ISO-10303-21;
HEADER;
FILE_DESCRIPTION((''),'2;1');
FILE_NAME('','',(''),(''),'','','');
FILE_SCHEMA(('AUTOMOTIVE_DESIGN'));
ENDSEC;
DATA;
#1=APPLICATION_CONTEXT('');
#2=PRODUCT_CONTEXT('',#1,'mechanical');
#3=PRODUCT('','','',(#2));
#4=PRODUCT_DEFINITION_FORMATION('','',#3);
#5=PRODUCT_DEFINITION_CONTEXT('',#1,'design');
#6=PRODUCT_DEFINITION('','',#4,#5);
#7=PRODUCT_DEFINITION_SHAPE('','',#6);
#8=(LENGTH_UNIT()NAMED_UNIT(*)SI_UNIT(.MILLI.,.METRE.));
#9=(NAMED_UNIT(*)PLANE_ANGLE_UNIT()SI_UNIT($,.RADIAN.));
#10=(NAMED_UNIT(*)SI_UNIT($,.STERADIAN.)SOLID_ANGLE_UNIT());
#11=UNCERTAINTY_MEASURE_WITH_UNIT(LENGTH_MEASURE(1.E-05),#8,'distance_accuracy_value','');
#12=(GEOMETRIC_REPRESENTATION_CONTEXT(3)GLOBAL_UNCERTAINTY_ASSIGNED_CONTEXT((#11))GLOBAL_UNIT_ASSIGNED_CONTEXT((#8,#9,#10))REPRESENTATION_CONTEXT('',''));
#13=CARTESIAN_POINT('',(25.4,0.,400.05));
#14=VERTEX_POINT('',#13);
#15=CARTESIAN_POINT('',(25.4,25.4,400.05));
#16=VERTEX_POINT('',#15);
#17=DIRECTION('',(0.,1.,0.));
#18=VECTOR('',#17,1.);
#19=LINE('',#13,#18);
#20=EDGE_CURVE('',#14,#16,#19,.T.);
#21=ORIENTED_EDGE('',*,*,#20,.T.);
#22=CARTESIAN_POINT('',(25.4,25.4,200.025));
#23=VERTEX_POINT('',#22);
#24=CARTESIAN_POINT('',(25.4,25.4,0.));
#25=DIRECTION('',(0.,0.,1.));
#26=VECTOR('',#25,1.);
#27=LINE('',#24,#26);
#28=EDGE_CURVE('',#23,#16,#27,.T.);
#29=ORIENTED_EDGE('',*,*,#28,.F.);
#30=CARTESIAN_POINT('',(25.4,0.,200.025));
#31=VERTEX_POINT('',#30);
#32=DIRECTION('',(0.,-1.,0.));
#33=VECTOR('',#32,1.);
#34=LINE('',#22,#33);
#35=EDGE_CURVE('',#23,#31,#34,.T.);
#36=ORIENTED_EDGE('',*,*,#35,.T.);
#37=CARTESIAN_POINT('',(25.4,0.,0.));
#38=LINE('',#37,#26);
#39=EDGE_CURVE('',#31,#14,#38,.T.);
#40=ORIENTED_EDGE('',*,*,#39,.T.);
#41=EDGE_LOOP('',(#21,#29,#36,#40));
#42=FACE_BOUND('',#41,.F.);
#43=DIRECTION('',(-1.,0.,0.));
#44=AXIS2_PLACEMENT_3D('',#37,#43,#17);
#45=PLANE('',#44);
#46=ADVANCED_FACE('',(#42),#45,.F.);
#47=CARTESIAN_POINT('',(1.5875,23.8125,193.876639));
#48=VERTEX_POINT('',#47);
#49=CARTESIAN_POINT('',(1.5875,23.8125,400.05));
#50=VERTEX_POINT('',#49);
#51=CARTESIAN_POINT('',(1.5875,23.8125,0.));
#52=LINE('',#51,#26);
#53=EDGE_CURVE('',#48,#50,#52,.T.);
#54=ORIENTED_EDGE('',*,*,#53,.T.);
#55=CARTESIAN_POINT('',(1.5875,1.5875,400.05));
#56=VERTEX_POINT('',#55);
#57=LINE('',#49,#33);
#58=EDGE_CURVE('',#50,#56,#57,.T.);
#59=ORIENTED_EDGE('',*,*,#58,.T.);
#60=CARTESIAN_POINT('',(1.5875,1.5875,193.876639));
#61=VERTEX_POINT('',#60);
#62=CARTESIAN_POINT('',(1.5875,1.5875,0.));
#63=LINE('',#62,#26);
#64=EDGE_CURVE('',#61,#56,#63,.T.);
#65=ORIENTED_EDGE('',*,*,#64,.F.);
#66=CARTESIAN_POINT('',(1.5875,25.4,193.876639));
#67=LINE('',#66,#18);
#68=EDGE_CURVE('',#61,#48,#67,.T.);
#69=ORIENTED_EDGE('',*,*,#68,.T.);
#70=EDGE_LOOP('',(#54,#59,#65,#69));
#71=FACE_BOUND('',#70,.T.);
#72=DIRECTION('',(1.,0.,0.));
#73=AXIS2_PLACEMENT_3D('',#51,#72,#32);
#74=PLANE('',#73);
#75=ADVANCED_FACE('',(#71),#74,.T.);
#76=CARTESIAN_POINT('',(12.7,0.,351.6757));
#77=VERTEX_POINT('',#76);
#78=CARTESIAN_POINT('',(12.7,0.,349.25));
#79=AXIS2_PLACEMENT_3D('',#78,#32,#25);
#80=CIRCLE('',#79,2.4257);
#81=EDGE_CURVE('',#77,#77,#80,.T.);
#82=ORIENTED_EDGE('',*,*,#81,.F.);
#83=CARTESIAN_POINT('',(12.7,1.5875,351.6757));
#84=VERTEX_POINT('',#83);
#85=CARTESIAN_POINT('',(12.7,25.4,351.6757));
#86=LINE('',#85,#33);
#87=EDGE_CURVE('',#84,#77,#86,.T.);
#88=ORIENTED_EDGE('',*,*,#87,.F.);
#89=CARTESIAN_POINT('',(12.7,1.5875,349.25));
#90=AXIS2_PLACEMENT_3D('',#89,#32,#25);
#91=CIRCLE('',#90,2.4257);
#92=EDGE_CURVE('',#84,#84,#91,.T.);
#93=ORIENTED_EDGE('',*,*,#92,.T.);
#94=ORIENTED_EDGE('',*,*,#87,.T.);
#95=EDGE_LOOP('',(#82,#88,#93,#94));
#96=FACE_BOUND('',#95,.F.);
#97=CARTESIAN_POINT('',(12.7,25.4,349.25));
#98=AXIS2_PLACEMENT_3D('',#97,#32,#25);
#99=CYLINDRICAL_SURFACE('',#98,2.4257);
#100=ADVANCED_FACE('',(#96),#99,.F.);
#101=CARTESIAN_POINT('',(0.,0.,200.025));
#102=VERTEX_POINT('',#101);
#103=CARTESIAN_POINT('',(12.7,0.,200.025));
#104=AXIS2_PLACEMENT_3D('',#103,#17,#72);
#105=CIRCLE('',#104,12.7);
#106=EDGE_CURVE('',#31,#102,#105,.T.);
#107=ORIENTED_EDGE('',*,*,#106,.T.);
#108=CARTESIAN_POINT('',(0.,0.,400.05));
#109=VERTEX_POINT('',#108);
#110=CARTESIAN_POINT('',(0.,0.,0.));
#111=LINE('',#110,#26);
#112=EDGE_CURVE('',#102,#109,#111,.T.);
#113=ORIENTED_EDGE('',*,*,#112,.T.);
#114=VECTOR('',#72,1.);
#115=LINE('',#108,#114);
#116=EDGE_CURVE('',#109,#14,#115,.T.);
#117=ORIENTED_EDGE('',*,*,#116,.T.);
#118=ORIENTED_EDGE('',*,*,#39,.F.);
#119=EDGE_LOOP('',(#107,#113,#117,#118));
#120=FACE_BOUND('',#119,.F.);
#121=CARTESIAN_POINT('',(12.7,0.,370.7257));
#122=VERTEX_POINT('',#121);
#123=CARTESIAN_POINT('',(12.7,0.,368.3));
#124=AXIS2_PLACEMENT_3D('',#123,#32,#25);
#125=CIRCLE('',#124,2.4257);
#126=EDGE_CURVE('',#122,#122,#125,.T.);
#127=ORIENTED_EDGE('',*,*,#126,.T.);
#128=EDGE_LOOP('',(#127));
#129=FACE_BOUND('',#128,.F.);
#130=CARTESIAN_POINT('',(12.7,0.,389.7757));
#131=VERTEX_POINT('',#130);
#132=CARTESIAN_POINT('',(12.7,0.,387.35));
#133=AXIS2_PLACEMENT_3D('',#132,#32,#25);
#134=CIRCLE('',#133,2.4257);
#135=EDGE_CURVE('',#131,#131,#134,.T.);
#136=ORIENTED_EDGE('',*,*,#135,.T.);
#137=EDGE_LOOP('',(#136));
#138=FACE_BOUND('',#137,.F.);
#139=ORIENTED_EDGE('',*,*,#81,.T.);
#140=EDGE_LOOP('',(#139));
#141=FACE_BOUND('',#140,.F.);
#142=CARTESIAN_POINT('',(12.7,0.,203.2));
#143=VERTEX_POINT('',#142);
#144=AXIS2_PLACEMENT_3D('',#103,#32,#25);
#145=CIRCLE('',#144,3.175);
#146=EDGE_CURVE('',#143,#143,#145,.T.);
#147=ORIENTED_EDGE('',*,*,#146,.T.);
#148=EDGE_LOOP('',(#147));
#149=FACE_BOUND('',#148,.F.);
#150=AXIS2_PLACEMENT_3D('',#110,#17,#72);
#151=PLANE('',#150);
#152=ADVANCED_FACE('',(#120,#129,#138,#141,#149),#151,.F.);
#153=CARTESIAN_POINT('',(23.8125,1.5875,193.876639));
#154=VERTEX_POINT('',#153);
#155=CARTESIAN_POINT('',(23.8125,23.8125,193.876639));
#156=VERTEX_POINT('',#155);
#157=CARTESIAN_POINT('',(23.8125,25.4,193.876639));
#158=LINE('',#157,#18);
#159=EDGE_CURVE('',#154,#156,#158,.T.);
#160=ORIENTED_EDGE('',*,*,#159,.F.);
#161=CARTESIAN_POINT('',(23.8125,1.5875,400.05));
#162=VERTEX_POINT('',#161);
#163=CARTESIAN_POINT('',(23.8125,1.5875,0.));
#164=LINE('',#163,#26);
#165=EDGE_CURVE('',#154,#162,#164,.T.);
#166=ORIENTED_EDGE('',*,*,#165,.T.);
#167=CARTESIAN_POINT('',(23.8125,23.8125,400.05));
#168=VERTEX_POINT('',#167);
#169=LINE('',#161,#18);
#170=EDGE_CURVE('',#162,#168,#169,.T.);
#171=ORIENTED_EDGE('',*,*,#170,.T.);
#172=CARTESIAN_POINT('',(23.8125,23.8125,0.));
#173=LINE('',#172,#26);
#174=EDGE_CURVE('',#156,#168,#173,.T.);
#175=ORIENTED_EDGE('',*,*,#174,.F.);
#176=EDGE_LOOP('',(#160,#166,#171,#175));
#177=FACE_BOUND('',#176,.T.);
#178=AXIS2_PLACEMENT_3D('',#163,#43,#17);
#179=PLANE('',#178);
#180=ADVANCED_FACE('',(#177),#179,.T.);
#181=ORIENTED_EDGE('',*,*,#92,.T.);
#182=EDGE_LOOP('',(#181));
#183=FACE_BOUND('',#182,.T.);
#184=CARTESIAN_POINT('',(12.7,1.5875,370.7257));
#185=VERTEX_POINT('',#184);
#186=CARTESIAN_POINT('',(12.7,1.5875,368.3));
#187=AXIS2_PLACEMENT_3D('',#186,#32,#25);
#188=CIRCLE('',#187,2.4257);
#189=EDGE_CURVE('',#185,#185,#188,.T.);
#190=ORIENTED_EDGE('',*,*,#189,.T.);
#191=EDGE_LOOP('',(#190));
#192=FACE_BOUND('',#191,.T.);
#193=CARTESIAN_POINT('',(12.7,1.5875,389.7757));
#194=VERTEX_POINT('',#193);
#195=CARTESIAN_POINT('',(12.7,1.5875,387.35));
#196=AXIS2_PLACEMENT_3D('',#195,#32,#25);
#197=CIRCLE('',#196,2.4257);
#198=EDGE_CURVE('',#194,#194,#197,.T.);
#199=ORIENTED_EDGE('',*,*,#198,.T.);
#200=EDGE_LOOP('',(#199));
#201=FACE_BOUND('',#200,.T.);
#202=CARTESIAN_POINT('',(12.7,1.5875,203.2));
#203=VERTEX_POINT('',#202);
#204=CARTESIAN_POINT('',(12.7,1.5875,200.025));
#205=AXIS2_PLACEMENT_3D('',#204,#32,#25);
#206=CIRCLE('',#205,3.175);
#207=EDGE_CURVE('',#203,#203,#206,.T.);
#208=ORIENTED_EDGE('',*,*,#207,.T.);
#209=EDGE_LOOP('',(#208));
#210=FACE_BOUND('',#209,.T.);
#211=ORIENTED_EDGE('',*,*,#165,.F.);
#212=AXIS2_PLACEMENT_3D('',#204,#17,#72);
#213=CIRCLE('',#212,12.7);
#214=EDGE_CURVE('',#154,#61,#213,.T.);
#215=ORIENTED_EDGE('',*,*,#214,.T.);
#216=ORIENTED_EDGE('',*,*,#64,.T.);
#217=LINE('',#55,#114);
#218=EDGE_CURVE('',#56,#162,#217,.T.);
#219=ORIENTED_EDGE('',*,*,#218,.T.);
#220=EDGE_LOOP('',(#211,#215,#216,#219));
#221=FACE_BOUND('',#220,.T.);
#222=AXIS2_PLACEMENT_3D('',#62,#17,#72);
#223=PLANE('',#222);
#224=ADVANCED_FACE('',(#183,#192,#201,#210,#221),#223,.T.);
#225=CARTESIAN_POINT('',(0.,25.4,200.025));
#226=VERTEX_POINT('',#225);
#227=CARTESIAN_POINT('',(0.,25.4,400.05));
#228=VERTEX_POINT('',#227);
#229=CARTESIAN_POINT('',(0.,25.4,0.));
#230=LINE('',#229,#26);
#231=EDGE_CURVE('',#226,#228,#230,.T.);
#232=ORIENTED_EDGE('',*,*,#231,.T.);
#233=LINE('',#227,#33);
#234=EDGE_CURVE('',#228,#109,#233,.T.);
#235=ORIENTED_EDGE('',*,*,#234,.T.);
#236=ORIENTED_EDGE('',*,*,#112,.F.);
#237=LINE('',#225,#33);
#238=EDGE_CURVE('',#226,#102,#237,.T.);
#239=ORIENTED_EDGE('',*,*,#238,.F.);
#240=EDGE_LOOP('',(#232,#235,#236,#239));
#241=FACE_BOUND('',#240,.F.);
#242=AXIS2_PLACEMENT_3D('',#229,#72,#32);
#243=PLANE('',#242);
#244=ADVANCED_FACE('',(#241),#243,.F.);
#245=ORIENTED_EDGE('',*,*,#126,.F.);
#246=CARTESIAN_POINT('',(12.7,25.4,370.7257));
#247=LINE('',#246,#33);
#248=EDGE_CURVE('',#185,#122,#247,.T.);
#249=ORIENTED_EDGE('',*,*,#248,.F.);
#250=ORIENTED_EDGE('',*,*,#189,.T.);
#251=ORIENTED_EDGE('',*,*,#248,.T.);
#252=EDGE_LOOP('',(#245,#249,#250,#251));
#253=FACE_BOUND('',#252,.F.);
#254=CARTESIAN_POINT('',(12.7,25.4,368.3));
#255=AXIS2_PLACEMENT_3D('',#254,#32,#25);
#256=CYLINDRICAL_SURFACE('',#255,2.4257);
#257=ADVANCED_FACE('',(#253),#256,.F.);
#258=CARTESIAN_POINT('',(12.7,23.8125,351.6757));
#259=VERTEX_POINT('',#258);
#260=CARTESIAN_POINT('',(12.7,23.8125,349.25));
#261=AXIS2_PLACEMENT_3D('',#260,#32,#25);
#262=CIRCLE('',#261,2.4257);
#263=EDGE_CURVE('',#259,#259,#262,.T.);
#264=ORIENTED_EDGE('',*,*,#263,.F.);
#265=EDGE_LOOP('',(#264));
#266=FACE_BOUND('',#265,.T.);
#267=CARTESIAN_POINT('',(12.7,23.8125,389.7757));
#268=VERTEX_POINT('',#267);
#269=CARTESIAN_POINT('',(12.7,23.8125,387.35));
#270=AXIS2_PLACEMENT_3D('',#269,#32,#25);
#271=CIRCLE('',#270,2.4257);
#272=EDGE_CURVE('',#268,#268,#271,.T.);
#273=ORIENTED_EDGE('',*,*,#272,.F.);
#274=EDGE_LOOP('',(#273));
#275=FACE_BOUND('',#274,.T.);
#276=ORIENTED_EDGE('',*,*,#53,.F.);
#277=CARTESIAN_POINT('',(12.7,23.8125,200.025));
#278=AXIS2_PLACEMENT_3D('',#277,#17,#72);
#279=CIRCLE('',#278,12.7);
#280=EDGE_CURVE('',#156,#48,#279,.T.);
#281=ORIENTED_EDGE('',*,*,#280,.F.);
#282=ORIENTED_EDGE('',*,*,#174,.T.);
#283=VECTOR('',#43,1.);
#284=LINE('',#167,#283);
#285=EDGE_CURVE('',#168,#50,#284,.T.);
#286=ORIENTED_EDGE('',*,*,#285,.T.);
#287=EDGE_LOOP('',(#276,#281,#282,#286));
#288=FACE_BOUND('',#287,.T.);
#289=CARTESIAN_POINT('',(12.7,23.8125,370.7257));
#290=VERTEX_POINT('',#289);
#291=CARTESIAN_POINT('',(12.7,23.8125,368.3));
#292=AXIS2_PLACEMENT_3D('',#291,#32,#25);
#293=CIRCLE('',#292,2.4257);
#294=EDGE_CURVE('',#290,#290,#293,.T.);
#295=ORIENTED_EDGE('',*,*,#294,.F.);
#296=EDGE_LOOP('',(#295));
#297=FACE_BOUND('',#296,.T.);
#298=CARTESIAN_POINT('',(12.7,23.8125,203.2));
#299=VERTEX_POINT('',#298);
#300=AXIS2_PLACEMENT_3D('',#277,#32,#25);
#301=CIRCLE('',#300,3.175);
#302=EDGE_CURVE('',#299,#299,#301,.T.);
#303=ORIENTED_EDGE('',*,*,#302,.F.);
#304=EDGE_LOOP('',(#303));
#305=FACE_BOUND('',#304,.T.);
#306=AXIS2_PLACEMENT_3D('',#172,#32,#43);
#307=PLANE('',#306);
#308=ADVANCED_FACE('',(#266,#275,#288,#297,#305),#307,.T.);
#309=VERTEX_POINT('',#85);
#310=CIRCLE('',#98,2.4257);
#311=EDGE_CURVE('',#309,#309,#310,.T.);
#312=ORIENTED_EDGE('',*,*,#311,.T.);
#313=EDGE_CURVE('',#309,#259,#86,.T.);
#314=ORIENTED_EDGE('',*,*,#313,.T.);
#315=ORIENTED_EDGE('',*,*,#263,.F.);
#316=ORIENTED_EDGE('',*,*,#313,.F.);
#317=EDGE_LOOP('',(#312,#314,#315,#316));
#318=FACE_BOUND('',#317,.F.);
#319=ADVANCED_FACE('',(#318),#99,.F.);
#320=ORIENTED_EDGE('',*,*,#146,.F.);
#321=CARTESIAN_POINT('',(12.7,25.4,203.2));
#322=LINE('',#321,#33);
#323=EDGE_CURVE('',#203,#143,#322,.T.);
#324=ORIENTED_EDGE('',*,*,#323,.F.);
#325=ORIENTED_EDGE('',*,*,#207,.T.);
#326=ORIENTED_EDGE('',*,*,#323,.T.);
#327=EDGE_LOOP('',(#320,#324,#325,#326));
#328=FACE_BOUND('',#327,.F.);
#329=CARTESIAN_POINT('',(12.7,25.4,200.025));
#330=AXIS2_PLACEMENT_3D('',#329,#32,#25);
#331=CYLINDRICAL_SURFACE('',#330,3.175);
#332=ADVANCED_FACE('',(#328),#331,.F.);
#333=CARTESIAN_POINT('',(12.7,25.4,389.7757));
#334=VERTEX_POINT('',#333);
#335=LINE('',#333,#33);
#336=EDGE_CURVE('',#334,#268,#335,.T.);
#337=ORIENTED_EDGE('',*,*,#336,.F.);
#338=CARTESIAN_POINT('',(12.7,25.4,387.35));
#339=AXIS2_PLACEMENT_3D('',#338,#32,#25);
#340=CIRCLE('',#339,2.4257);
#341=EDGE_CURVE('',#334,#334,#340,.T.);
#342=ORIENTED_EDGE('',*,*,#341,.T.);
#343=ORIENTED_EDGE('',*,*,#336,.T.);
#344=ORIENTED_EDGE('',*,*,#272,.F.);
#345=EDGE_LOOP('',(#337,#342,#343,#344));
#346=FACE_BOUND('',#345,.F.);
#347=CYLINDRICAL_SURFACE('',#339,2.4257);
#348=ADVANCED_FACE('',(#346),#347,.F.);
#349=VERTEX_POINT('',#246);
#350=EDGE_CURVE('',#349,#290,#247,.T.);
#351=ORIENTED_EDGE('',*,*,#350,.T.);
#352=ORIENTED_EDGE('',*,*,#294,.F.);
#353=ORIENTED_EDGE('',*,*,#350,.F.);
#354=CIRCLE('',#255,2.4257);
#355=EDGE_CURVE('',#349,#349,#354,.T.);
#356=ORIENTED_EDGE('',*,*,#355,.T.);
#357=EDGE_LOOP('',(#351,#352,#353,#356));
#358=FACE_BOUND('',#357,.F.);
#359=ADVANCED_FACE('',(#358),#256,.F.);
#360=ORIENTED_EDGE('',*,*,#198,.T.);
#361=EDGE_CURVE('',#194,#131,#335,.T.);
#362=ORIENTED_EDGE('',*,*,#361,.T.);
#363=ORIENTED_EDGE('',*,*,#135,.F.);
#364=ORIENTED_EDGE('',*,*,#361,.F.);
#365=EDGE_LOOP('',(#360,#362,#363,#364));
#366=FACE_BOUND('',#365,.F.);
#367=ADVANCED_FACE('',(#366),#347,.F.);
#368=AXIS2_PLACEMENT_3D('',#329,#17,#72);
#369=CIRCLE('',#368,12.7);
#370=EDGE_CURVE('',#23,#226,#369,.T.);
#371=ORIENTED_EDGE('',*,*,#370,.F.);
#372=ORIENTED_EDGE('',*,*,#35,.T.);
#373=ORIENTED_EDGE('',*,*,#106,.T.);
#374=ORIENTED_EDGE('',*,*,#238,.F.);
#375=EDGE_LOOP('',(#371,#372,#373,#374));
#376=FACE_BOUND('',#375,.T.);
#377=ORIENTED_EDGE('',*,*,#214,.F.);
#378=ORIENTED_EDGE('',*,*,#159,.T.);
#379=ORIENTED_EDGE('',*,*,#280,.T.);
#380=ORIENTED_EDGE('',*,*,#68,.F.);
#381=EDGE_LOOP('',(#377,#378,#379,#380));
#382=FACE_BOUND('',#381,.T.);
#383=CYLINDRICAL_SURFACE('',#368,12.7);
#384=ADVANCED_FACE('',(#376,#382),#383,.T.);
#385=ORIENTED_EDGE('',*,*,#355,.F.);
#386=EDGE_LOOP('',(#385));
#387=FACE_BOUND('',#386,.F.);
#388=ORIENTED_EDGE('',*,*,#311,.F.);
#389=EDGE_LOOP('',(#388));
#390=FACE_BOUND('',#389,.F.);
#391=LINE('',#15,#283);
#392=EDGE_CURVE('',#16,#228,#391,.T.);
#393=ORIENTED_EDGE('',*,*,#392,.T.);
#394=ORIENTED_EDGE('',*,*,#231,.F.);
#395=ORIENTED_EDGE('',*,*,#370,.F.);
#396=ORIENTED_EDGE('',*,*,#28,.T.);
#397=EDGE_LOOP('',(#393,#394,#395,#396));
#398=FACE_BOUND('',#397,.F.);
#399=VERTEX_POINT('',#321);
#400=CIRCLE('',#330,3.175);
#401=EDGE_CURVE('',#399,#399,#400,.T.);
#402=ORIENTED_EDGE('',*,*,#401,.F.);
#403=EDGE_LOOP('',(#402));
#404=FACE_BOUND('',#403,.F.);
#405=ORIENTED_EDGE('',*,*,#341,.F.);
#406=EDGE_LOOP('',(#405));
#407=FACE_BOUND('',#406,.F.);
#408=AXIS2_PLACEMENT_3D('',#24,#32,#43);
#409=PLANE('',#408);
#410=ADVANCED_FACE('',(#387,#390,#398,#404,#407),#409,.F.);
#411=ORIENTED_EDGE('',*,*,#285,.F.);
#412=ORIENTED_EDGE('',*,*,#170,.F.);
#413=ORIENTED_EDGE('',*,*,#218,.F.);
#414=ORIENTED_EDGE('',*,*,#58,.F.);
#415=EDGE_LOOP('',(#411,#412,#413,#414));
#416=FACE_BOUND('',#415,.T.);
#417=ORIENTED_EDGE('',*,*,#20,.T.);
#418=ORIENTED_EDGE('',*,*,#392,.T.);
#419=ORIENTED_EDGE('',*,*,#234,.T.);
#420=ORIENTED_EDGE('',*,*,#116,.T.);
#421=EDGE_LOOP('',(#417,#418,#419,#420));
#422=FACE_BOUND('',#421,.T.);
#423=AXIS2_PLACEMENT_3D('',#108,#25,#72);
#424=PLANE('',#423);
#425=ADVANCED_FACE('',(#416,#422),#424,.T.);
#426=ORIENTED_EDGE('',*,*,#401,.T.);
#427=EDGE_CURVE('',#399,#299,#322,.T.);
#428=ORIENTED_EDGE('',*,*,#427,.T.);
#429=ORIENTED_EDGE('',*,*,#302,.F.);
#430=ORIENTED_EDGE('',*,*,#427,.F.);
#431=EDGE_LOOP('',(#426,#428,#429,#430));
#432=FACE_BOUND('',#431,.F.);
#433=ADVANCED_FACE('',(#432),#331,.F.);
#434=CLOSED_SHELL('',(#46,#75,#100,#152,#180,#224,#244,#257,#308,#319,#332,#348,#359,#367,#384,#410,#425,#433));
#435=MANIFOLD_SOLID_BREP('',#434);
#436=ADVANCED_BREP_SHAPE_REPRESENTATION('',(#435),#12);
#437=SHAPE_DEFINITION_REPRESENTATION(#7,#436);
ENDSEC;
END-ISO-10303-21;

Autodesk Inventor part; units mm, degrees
ref_plane "YZ Plane" through (0, 0, 0) normal (1, 0, 0) x (0, 1, 0)
ref_plane "XZ Plane" through (0, 0, 0) normal (0, 1, 0) x (-1, 0, 0)
ref_plane "XY Plane" through (0, 0, 0) normal (0, 0, 1) x (1, 0, 0)
sketch "Sketch1" plane through (0, 0, 0) normal (0, 0, 1) x (1, 0, 0)
  line L0 (0, 0) -> (25.4, 0)
  line L1 (25.4, 0) -> (25.4, 25.4)
  line L2 (25.4, 25.4) -> (0, 25.4)
  line L3 (0, 25.4) -> (0, 0)
  line L4 (1.5875, 1.5875) -> (23.8125, 1.5875)
  line L5 (23.8125, 1.5875) -> (23.8125, 23.8125)
  line L6 (23.8125, 23.8125) -> (1.5875, 23.8125)
  line L7 (1.5875, 23.8125) -> (1.5875, 1.5875)
  dimension "d0" = 25.4
  dimension "d1" = 25.4
  dimension "d2" = 1.5875
extrude "Extrusion1" add sketch "Sketch1" along normal blind 400.05
sketch "Sketch3" plane through (0, 25.4, 0) normal (0, 1, 0) x (1, 0, 0)
  line L0 (25.4, 0) -> (0, 0) projected
  line L1 (0, 0) -> (0, -400.05) projected
  line L2 (25.4, -400.05) -> (0, -400.05) projected
  line L3 (25.4, 0) -> (25.4, -400.05) projected
  point P0 (0, 0)
  point P1 (12.7, -200.025)
  dimension "d15" = 200.025
  dimension "d16" = 400.05
  dimension "d17" = 12.7
hole "Hole2" at (12.7, 25.4, 200.025) direction (0, -1, 0) diameter 6.35 end through all clearance for "Flat Head Machine Screw (82)" size "1/4" standard "Ansi Unified Screw Threads"
sketch "Sketch7" plane through (0, 25.4, 0) normal (0, 1, 0) x (1, 0, 0)
  line L0 (0, 0) -> (0, -400.05) projected
  line L1 (25.4, 0) -> (25.4, -400.05) projected
  line L2 (25.4, 0) -> (0, 0) projected
  line L3 (0, 0) -> (25.4, 0) projected
  line L4 (0, -200.025) -> (0, 0)
  line L5 (25.4, 0) -> (25.4, -200.025)
  line L6 (0, 0) -> (25.4, 0)
  arc A0 (25.4, -200.025) -> (0, -200.025) centre (12.7, -200.025) ccw
  line L7 (25.4, -400.05) -> (0, -400.05) projected
  circle A1 centre (12.7, -200.025) radius 3.175 projected
  line L8 (25.4, 0) -> (0, 0) projected
  line L9 (0, 0) -> (0, -400.05) projected
  line L10 (25.4, -400.05) -> (0, -400.05) projected
  line L11 (25.4, 0) -> (25.4, -400.05) projected
extrude "Extrusion3" cut sketch "Sketch7" against normal blind 25.4 contours L2 L1 A0 L0
sketch "Sketch8" plane through (0, 25.4, 400.05) normal (0, 1, 0) x (1, 0, 0)
  line L0 (25.4, 0) -> (0, 0) projected
  line L1 (0, 200.025) -> (0, 0) projected
  point P0 (0, 400.05)
  point P1 (12.7, 12.7)
  point P2 (12.7, 31.75)
  point P3 (12.7, 50.8)
  dimension "d43" = 12.7
  dimension "d44" = 12.7
  dimension "d55" = 19.05
  dimension "d56" = 19.05
hole "Hole4" at (12.7, 25.4, 387.35) at (12.7, 25.4, 368.3) at (12.7, 25.4, 349.25) direction (0, -1, 0) diameter 4.8514 end through all
equation "\"d15\" = 0.5 * d16"
properties part number "CLB_036_FourPartScissorBarTop" material "Aluminum 6061"
